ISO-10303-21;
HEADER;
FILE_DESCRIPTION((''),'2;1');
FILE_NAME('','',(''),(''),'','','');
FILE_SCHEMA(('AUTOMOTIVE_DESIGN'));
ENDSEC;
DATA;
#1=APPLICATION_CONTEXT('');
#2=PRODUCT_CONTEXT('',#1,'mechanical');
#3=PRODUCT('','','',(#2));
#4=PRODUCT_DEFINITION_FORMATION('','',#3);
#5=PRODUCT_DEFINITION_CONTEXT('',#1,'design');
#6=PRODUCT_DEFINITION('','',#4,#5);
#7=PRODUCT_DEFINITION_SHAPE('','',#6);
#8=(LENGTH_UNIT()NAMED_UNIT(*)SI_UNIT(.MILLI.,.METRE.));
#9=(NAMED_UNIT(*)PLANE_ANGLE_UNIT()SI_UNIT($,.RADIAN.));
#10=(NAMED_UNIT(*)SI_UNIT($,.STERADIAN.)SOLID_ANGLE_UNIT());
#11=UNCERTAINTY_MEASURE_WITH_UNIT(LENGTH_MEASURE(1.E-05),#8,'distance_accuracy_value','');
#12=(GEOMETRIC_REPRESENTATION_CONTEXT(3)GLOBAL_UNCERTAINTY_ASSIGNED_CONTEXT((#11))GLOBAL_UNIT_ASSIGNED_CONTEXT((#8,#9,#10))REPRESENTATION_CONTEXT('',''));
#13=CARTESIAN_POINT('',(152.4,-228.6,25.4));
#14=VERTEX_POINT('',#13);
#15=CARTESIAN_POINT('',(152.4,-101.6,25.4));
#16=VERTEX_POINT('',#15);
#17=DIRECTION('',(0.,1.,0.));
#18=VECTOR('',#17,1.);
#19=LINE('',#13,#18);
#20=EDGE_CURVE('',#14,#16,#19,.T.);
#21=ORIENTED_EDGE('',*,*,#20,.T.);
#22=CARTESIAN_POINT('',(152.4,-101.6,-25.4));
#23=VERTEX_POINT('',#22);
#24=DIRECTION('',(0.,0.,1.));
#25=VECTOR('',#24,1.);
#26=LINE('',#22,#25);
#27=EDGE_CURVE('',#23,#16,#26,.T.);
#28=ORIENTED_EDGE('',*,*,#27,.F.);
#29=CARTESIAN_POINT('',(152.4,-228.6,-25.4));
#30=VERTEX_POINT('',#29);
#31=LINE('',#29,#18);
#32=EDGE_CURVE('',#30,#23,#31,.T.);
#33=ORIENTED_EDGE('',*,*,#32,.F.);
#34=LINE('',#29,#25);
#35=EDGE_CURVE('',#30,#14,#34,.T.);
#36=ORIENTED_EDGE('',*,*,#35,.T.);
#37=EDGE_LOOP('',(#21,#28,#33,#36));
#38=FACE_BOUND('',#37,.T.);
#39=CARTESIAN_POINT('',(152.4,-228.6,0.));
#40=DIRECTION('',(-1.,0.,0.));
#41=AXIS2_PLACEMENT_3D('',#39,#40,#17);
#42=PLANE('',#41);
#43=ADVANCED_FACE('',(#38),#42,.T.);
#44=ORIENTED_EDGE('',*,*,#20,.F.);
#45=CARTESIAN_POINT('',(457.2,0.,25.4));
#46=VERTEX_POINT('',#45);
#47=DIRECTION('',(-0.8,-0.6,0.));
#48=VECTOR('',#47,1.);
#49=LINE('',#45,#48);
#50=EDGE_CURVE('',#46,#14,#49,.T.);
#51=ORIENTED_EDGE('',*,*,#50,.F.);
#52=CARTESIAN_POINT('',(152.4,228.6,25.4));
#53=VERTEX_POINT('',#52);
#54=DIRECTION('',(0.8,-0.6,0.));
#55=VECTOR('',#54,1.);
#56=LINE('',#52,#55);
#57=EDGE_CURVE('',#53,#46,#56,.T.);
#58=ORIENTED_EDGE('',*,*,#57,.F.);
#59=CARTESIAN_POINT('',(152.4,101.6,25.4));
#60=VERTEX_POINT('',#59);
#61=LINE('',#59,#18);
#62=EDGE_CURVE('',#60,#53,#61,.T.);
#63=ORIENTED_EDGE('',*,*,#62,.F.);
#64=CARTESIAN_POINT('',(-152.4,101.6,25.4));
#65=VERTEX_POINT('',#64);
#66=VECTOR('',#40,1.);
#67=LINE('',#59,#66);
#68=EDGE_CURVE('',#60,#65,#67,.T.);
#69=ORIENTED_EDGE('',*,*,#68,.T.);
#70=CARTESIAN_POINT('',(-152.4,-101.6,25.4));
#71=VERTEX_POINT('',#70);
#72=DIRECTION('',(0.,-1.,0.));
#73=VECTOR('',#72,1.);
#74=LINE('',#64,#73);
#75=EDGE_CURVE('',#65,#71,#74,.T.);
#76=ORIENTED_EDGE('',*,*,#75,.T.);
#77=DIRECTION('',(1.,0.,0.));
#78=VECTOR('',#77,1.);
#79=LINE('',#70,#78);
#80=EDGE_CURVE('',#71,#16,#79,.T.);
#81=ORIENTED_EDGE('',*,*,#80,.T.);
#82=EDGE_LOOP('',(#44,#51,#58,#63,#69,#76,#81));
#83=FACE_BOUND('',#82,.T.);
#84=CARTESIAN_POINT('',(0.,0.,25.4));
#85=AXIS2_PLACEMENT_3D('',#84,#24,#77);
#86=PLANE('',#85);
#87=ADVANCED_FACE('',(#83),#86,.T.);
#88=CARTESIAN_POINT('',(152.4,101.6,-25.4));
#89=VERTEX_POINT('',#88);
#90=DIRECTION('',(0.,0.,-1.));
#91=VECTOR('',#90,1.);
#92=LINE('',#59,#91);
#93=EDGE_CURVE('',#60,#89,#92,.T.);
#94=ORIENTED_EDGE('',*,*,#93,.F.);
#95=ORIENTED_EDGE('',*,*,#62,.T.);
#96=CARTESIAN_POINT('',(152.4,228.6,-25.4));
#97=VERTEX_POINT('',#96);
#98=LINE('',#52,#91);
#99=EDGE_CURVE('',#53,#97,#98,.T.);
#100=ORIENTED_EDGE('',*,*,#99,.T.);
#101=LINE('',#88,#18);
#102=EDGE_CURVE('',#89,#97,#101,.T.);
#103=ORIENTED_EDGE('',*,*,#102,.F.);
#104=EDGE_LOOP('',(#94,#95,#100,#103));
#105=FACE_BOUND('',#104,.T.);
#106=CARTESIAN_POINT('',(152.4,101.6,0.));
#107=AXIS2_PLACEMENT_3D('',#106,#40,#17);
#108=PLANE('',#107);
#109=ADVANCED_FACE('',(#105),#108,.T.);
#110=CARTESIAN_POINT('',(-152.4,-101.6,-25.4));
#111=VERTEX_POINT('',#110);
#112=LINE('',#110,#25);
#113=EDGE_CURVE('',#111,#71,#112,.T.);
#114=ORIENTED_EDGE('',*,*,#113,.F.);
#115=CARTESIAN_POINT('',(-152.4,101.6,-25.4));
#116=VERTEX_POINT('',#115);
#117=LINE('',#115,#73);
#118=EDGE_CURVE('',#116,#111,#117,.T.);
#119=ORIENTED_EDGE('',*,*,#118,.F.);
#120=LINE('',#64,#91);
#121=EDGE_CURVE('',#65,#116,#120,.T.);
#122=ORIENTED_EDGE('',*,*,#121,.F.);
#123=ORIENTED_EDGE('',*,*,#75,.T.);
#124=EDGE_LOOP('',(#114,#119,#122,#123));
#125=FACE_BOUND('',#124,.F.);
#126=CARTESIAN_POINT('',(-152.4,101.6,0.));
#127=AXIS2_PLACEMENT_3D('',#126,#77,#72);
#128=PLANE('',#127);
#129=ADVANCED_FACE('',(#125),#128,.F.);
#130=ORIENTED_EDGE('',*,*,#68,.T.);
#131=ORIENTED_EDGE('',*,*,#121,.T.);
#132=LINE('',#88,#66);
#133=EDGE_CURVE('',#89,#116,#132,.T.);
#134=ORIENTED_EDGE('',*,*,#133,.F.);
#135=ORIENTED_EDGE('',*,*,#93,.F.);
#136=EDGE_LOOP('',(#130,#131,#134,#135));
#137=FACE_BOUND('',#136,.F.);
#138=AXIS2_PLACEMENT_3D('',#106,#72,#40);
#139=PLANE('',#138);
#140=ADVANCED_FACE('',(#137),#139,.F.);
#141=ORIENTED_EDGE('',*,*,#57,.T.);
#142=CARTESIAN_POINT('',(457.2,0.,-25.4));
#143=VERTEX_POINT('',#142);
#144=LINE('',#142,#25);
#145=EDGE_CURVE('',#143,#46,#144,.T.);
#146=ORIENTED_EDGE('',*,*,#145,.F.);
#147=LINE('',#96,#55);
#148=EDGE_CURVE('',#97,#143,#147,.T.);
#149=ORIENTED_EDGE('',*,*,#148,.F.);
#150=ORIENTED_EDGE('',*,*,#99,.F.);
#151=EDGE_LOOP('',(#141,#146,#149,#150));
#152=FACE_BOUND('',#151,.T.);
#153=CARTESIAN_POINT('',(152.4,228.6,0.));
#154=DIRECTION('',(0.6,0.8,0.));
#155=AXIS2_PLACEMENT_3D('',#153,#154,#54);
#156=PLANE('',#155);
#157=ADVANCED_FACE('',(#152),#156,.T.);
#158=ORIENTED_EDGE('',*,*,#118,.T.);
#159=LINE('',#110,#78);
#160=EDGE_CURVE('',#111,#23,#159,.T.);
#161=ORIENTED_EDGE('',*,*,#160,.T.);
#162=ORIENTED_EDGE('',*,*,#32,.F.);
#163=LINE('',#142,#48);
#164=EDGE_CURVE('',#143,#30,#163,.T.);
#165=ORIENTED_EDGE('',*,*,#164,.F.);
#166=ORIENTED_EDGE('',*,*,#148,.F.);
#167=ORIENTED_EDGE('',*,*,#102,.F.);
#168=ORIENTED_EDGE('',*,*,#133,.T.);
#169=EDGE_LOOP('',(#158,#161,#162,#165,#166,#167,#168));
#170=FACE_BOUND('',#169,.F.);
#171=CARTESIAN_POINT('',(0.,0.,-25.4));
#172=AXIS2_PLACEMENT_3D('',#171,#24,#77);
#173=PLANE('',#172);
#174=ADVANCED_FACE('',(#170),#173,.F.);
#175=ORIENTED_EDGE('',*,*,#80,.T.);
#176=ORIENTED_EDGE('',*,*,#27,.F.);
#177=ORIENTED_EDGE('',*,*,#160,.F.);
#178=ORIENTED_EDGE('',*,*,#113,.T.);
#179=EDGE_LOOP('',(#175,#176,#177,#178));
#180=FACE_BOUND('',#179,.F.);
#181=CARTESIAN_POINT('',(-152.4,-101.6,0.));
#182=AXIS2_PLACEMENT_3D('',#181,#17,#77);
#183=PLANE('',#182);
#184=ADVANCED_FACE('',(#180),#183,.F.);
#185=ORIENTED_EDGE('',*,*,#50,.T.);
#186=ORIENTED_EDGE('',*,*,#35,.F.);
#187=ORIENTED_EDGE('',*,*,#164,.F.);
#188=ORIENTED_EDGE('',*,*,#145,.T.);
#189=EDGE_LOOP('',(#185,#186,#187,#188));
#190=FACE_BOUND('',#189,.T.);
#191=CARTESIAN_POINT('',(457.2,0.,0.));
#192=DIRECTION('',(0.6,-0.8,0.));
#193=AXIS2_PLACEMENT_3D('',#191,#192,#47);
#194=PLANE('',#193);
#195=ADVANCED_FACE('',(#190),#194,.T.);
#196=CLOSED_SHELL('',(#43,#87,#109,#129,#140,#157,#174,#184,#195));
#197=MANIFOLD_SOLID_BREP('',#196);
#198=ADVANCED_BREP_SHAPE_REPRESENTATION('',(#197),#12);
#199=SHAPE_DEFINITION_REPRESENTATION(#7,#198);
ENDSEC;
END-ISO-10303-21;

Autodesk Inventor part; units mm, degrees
ref_plane "YZ Plane" through (0, 0, 0) normal (1, 0, 0) x (0, 1, 0)
ref_plane "XZ Plane" through (0, 0, 0) normal (0, 1, 0) x (-1, 0, 0)
ref_plane "XY Plane" through (0, 0, 0) normal (0, 0, 1) x (1, 0, 0)
sketch "Sketch1" plane through (0, 0, 0) normal (0, 0, 1) x (1, 0, 0)
  line L0 (-152.4, -101.6) -> (152.4, -101.6)
  line L1 (152.4, -101.6) -> (152.4, 101.6)
  line L2 (152.4, 101.6) -> (-152.4, 101.6)
  line L3 (-152.4, 101.6) -> (-152.4, -101.6)
  line L4 (-152.4, -101.6) -> (152.4, 101.6) construction
  line L5 (152.4, -101.6) -> (-152.4, 101.6) construction
  line L6 (152.4, 101.6) -> (152.4, 228.6)
  line L7 (152.4, 228.6) -> (457.2, 0)
  line L8 (457.2, 0) -> (152.4, -228.6)
  line L9 (152.4, -228.6) -> (152.4, -101.6)
  point P0 (0, 0)
  dimension "d0" = 304.8
  dimension "d1" = 203.2
  dimension "d2" = 304.8
  dimension "d3" = 457.2
extrude "Extrusion1" add sketch "Sketch1" along normal mid plane 50.8
properties part number "AirFlow"
